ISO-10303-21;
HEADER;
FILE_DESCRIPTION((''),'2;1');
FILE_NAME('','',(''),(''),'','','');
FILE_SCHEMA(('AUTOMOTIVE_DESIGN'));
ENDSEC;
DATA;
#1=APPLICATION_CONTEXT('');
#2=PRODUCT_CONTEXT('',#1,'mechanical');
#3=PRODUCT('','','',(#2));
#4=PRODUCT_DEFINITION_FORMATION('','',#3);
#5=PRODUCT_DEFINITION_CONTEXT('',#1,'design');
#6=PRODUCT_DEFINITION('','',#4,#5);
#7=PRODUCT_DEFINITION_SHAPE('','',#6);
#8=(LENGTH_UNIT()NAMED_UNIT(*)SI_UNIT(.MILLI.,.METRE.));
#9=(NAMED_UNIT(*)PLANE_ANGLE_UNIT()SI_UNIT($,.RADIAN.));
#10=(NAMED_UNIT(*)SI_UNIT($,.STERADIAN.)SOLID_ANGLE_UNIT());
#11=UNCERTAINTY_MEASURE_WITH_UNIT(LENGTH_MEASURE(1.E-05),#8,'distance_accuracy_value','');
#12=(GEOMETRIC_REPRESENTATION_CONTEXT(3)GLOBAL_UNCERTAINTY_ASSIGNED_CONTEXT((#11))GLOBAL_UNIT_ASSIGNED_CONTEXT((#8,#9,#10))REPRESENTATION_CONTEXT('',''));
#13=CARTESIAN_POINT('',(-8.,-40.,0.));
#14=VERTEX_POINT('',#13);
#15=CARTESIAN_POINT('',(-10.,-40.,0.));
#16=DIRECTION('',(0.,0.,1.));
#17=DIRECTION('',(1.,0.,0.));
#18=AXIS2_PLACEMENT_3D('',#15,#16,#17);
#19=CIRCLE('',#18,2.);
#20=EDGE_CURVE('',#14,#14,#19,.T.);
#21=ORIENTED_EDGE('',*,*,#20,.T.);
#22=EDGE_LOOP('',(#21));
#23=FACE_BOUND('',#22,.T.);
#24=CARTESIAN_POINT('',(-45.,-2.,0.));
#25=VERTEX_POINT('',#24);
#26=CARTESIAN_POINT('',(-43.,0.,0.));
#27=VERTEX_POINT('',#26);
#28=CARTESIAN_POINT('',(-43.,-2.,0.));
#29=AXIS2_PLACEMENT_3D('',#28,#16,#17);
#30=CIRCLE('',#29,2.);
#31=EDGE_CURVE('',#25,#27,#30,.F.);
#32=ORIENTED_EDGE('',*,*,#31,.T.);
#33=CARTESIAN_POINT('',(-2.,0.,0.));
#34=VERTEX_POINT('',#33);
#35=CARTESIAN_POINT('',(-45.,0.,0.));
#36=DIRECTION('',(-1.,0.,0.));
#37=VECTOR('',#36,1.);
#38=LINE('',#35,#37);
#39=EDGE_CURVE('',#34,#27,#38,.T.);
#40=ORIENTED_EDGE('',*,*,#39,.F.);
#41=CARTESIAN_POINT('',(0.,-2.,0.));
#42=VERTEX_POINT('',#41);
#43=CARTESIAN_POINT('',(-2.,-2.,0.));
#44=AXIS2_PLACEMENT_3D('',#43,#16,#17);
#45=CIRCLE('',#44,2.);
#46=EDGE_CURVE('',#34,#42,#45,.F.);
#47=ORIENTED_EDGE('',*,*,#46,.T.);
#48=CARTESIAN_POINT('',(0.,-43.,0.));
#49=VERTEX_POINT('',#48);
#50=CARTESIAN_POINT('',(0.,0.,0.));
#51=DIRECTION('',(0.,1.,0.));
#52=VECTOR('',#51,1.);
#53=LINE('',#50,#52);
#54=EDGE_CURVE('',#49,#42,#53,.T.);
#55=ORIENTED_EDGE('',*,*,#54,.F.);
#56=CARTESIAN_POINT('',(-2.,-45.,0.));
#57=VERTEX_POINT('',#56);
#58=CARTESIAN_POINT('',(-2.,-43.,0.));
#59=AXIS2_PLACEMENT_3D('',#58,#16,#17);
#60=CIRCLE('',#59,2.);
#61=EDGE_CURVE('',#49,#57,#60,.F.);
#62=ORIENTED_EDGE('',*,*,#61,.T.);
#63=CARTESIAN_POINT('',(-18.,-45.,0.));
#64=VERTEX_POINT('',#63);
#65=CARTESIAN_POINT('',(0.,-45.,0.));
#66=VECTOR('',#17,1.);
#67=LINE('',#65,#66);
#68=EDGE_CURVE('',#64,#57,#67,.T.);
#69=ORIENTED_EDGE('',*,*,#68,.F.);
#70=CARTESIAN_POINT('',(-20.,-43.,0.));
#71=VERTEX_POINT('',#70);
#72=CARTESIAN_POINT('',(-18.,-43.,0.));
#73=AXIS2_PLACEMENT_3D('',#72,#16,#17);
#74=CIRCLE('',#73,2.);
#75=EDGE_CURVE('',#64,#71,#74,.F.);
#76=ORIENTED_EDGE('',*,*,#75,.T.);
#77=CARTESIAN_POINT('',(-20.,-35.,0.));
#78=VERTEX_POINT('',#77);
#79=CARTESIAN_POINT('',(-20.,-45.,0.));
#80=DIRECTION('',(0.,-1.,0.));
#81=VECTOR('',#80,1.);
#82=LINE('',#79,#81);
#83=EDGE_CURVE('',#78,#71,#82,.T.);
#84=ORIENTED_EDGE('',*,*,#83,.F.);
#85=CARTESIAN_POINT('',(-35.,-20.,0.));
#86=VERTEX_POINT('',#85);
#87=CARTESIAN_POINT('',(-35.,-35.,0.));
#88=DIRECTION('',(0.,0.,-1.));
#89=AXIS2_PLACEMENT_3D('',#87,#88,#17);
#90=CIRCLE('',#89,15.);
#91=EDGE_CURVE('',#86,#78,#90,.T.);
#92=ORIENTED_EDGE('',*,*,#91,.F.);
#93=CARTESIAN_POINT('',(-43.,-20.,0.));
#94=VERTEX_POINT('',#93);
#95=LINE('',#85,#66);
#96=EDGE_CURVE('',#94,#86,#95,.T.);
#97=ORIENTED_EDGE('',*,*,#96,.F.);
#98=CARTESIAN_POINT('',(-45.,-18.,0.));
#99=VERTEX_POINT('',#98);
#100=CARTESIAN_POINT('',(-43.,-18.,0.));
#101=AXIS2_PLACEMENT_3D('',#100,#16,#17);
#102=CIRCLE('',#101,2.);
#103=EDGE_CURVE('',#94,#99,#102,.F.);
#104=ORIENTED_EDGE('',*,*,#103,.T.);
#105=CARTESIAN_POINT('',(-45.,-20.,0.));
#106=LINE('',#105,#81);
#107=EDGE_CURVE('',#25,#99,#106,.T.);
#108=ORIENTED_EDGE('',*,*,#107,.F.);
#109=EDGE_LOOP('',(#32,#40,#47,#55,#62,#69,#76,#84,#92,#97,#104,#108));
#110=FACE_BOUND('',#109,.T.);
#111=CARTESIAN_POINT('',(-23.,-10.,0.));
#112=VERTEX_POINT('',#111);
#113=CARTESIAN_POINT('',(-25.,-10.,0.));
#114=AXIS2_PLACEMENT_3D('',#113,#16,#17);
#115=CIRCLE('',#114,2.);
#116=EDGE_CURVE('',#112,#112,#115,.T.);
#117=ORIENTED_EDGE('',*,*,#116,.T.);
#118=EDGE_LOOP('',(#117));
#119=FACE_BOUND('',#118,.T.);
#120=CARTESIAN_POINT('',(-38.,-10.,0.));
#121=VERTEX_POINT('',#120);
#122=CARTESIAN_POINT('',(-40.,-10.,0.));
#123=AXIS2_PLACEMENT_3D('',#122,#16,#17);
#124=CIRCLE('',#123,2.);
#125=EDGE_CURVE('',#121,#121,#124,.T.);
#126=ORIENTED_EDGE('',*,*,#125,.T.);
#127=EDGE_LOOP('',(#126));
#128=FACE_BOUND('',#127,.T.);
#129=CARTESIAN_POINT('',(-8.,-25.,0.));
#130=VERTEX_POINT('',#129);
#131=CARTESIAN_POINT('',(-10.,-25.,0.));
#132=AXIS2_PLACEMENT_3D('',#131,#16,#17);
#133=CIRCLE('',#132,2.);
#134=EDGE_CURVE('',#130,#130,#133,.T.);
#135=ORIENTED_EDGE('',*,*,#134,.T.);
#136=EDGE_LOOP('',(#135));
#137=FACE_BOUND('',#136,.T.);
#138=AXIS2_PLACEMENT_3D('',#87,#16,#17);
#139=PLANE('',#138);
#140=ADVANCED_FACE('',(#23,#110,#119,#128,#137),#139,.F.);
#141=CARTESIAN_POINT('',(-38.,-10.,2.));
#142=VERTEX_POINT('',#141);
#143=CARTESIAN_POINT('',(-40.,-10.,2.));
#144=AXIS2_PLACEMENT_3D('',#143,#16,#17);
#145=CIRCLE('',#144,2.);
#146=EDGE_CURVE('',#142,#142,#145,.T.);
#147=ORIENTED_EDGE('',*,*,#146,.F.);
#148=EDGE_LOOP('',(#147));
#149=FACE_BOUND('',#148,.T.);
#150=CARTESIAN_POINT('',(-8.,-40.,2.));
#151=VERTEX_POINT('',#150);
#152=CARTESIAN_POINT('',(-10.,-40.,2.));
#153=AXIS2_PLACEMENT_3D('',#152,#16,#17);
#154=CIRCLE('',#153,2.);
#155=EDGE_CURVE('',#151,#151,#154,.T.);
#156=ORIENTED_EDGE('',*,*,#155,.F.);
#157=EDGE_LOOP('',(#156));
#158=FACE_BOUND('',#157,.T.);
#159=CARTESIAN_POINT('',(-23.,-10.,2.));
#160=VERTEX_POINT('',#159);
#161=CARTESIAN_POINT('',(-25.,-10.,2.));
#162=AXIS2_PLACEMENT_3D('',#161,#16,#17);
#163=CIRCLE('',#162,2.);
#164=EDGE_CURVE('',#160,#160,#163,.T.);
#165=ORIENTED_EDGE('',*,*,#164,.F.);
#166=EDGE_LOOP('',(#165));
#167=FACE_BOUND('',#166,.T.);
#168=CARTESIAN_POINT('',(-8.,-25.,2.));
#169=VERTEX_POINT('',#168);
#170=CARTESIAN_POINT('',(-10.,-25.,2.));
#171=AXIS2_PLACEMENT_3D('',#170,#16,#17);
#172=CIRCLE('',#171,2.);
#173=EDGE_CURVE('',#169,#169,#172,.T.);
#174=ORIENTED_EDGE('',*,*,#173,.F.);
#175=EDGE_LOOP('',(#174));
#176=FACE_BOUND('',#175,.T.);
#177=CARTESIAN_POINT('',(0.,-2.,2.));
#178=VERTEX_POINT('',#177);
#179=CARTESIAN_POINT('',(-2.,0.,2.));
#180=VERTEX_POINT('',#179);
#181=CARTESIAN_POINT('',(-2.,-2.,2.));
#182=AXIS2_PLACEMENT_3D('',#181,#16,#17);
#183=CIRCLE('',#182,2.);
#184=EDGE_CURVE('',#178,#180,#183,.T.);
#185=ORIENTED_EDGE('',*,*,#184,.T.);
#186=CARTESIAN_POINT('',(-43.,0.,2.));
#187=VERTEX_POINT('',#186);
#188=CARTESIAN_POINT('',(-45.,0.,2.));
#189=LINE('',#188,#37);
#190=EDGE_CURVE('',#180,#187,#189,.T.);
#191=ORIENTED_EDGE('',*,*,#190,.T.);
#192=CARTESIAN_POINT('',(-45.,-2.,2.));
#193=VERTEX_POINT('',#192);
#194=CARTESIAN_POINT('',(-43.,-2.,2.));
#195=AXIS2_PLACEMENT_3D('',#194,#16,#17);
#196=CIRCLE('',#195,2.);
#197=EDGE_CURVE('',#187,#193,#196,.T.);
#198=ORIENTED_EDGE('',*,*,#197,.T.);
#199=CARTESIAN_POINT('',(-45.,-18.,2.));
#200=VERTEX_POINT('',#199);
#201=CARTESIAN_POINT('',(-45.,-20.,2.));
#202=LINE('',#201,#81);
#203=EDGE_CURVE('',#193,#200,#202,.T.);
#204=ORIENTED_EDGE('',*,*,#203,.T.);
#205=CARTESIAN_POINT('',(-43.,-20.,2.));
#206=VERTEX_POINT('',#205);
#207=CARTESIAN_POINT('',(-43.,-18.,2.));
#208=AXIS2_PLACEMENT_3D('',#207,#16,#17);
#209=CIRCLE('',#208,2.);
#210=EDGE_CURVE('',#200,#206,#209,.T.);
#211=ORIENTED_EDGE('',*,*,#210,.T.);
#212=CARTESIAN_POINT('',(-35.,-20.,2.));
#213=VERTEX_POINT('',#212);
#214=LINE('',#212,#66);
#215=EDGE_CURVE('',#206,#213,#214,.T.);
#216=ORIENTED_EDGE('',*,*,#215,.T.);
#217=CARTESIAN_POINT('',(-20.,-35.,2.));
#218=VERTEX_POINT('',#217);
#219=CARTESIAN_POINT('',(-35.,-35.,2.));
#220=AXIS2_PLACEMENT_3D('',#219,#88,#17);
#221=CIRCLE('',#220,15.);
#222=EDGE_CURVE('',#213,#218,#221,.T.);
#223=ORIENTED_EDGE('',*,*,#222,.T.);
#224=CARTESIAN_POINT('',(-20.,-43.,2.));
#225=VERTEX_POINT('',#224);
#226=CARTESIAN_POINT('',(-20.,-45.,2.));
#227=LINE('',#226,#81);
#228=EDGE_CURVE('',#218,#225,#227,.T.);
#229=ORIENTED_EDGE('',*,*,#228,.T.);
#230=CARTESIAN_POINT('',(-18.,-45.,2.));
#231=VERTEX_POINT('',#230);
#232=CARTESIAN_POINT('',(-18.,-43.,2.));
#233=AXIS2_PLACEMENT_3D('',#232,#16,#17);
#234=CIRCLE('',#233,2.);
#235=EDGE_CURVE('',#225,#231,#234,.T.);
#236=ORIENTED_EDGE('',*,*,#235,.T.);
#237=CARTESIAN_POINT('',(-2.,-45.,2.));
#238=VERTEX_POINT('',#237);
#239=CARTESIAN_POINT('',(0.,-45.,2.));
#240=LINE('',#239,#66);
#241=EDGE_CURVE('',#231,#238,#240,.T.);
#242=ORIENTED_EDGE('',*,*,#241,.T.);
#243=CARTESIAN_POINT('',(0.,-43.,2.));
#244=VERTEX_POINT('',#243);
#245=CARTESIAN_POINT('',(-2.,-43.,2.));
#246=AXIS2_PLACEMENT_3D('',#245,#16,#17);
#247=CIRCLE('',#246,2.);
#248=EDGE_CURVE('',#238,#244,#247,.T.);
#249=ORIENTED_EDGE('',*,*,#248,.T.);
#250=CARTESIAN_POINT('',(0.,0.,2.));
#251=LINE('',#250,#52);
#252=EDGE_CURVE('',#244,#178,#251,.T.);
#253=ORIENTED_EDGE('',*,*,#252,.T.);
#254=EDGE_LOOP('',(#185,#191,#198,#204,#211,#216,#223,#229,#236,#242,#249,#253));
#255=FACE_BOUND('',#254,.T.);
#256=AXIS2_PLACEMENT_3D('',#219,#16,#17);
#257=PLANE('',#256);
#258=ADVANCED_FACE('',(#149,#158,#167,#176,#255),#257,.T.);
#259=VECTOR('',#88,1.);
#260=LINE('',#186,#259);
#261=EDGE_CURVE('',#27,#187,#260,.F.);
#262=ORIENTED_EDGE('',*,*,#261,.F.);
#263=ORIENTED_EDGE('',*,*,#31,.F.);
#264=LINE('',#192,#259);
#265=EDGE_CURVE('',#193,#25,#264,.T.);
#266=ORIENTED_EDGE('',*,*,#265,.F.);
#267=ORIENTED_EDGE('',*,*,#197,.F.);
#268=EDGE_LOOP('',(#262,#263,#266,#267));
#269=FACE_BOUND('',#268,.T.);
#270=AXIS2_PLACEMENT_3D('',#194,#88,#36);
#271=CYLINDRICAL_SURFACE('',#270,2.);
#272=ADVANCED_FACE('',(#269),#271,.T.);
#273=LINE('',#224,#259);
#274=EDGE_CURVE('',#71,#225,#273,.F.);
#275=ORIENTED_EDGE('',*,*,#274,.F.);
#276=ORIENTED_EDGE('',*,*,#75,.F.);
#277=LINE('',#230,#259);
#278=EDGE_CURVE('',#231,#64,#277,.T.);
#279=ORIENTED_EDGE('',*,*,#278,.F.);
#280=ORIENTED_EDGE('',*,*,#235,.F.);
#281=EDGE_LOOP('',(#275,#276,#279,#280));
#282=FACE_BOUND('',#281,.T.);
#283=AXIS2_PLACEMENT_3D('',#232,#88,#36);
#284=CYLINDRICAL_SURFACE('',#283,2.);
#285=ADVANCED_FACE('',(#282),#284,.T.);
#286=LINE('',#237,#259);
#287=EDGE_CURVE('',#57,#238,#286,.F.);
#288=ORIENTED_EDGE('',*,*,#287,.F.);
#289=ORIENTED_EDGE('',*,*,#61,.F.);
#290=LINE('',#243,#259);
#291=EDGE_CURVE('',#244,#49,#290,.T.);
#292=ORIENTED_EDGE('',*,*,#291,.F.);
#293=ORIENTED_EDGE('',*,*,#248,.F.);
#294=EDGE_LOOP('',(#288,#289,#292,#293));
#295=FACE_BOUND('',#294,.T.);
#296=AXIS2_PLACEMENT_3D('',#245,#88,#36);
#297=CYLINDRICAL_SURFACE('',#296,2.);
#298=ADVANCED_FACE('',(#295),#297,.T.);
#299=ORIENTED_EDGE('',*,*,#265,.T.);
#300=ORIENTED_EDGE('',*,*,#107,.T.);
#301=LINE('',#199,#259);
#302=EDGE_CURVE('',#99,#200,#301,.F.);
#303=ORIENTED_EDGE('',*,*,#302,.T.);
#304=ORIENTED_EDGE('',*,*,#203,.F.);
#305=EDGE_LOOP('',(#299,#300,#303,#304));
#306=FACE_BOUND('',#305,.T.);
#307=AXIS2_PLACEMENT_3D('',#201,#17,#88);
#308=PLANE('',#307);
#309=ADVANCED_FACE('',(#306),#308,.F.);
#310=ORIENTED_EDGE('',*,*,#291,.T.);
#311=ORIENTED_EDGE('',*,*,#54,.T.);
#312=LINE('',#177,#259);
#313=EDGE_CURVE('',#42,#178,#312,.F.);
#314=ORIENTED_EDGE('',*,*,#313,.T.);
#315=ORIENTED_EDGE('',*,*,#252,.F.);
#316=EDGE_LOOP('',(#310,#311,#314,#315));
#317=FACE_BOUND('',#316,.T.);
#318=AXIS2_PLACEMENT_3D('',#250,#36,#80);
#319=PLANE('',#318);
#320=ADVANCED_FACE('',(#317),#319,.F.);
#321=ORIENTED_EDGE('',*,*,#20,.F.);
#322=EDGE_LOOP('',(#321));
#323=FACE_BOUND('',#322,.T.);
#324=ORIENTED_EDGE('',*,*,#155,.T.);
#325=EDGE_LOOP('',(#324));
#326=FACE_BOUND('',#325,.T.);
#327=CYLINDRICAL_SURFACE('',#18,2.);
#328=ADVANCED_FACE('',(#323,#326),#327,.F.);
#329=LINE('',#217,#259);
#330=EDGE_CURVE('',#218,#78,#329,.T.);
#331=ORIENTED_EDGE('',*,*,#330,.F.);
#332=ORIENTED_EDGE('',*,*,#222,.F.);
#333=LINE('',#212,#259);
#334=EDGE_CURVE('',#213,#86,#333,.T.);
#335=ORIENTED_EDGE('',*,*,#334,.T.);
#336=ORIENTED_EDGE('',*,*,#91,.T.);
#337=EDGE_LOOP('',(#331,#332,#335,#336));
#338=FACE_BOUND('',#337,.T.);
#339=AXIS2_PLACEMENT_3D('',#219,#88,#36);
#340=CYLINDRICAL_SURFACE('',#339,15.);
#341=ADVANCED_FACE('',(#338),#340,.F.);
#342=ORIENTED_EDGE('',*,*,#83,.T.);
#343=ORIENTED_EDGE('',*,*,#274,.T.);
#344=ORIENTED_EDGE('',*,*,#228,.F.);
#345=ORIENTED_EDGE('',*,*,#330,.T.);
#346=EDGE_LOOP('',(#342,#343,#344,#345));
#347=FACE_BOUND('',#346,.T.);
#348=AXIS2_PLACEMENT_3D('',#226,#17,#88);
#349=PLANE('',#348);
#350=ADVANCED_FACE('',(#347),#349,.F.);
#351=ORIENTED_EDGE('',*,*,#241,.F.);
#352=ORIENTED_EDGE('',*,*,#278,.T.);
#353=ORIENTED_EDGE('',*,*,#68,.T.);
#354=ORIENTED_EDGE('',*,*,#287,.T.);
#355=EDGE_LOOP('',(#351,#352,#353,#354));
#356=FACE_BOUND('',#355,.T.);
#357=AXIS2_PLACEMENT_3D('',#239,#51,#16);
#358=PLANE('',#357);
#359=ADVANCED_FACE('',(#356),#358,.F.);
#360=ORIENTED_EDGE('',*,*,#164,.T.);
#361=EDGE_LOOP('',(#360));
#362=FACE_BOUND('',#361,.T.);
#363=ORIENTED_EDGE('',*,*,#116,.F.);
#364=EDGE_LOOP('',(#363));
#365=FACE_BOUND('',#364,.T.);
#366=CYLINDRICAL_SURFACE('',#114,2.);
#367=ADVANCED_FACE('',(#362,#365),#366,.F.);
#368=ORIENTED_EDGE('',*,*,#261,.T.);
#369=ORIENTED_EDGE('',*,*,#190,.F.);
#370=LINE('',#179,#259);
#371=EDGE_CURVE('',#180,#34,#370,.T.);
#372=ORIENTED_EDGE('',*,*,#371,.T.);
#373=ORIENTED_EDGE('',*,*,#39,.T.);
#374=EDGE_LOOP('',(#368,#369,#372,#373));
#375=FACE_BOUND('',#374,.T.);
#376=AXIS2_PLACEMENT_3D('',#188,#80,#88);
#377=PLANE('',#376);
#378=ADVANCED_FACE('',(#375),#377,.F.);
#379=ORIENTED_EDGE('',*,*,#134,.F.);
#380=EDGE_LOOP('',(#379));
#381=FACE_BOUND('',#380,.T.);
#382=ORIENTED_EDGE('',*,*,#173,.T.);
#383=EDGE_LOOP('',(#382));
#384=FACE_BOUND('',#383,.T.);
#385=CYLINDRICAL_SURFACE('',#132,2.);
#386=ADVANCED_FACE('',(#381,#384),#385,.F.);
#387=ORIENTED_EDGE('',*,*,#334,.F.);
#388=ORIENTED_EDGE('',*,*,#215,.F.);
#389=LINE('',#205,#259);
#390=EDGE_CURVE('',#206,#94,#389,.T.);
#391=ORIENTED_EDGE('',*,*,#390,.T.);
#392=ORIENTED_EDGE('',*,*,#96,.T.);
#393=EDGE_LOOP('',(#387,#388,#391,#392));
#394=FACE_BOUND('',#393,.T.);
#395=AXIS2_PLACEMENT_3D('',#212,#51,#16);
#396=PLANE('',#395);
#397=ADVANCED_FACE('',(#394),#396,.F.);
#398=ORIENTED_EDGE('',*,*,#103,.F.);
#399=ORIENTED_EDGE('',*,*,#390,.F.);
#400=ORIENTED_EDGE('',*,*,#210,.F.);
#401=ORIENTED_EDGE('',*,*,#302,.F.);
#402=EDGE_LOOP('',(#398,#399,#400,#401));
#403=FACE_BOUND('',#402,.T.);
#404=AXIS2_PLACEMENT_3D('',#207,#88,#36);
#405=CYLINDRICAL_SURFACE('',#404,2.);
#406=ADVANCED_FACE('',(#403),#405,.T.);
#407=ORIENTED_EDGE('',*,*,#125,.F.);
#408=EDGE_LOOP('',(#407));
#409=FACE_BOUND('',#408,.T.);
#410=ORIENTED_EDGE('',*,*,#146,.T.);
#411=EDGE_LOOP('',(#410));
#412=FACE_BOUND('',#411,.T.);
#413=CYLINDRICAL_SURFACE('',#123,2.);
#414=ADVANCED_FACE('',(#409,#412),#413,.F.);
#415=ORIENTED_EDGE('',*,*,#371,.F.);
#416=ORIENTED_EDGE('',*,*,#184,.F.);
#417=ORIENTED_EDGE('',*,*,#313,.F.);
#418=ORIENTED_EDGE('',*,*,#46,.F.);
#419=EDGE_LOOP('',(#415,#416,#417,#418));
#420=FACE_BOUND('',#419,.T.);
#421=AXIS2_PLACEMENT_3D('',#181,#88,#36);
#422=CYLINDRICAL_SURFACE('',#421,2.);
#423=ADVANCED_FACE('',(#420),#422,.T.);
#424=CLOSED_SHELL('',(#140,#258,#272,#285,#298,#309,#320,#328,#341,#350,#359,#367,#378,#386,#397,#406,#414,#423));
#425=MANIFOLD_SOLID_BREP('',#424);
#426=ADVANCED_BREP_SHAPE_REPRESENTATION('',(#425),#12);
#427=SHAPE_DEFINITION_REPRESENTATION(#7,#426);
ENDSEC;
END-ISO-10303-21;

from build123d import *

# Parameters (mm, degrees)
EXTRUDE_1_DEPTH     = 2
SKETCH_2_R          = 2
CUT_EXTRUDE_1_DEPTH = 2
FILLET_1_R          = 2


with BuildPart() as part:
    # 草图1 → 凸台-拉伸1 (new body)
    with BuildSketch(Plane.XY):
        with BuildLine():
            Line((0, 0), (0, -45))
            Line((0, -45), (-20, -45))
            Line((-20, -45), (-20, -35))
            ThreePointArc((-20, -35), (-24.393398282, -24.393398282), (-35, -20))
            Line((-35, -20), (-45, -20))
            Line((-45, -20), (-45, 0))
            Line((-45, 0), (0, 0))
        make_face()
    extrude(amount=EXTRUDE_1_DEPTH)

    # 草图2 → 切除-拉伸1 (cut)
    with BuildSketch(Plane.XY.offset(2)):
        with Locations((-10, -40)):
            Circle(SKETCH_2_R)
        with Locations((-10, -25)):
            Circle(SKETCH_2_R)
        with Locations((-25, -10)):
            Circle(SKETCH_2_R)
        with Locations((-40, -10)):
            Circle(SKETCH_2_R)
    extrude(amount=-CUT_EXTRUDE_1_DEPTH, mode=Mode.SUBTRACT)

    # 圆角1
    fillet_1_edges = [part.edges().sort_by_distance(p)[0] for p in [
        (0, 0, 1),
        (0, -45, 1),
        (-20, -45, 1),
        (-45, -20, 1),
        (-45, 0, 1),
    ]]
    fillet(fillet_1_edges, radius=FILLET_1_R)


solid = part.part
